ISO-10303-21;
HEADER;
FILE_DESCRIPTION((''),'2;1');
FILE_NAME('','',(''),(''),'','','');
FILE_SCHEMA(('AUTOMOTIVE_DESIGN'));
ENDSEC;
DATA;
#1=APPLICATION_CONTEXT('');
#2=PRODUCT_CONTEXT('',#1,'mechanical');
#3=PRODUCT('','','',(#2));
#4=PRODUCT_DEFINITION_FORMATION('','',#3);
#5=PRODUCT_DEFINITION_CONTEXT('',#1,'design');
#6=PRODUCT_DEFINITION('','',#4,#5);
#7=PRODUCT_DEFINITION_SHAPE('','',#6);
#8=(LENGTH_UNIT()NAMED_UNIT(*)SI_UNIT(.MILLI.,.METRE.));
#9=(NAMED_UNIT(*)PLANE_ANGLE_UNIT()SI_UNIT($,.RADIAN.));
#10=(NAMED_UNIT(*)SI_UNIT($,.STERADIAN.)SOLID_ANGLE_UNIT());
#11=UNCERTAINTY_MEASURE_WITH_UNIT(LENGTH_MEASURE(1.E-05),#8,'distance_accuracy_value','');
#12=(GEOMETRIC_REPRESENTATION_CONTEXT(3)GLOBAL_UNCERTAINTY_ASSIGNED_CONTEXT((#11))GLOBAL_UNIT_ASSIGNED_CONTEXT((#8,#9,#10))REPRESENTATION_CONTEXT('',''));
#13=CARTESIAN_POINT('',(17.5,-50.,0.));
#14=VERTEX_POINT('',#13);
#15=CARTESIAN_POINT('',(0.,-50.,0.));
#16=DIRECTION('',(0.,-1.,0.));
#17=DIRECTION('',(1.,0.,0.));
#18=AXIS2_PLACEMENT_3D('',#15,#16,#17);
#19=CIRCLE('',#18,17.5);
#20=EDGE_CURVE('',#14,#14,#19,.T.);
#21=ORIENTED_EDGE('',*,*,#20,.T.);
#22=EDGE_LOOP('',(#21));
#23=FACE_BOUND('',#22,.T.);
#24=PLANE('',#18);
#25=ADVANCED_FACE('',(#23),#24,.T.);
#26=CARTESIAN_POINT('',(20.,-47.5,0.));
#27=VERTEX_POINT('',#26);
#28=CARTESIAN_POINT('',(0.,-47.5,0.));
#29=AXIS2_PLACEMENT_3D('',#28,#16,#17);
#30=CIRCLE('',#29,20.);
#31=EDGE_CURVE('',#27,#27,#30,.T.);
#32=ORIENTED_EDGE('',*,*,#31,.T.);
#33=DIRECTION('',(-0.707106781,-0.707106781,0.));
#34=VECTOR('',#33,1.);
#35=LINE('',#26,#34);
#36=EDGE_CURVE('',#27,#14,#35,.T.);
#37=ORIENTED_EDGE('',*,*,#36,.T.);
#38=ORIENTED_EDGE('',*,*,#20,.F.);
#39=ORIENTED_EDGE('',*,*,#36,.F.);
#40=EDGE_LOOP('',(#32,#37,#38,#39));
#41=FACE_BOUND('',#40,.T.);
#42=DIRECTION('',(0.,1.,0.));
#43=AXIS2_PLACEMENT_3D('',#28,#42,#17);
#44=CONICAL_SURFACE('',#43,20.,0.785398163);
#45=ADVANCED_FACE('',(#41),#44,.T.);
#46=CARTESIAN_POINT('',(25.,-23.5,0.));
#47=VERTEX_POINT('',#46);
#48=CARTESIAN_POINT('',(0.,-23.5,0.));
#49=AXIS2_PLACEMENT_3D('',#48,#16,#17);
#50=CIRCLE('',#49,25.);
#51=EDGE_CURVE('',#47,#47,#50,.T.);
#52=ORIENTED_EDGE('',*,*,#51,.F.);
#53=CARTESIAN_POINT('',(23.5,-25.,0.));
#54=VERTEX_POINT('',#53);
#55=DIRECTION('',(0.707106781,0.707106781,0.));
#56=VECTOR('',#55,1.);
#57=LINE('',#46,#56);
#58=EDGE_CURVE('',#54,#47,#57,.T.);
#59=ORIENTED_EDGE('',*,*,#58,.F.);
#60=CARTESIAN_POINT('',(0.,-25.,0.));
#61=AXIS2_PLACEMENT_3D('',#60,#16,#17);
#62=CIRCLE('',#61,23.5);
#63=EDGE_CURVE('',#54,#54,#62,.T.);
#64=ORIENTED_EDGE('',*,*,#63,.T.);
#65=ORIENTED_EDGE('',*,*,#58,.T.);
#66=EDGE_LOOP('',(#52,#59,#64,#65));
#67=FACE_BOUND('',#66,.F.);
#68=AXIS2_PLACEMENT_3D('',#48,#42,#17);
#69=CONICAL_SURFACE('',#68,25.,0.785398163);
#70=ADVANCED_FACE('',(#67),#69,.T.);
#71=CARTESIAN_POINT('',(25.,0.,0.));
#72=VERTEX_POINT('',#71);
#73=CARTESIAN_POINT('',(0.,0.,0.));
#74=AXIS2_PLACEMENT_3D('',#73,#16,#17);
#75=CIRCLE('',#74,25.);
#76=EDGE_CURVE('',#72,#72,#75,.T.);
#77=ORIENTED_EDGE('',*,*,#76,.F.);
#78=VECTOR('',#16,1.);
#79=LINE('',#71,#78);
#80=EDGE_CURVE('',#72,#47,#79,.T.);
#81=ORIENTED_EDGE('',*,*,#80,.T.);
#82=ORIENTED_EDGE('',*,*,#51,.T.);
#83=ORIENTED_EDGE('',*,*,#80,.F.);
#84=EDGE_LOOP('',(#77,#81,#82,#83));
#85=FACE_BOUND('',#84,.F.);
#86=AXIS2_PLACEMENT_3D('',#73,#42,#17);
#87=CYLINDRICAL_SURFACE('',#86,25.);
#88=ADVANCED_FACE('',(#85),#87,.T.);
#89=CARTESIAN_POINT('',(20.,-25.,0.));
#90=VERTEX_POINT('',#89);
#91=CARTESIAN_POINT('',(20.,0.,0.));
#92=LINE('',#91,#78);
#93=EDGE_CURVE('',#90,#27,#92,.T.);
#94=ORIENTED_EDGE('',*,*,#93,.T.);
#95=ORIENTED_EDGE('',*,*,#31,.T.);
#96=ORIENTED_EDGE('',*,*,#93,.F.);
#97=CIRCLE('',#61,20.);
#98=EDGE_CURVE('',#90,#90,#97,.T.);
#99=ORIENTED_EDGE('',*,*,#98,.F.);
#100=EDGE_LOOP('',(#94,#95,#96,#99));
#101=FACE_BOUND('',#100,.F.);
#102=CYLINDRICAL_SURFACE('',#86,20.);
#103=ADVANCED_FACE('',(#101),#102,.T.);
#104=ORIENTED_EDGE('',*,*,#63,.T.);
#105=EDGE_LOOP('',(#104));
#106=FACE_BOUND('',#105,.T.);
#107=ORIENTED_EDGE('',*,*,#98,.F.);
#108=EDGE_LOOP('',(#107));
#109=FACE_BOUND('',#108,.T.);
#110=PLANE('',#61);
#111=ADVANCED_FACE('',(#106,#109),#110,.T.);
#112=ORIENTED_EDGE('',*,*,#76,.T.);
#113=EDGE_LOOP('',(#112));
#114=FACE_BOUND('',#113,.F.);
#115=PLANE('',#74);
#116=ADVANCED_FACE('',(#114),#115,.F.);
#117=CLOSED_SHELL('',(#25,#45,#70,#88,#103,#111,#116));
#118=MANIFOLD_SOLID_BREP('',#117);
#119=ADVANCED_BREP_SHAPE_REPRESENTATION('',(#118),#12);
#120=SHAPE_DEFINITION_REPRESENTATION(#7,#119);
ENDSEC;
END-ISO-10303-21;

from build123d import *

# Parameters (mm, degrees)
F0_R     = 20
F1_DEPTH = 50
F0_R_2   = 25
F2_DEPTH = 25
F3_SIZE  = 2.5
F4_SIZE  = 1.5


with BuildPart() as f1:
    # F0 (on Front) → F1 (new body)
    with BuildSketch(Plane.XZ):
        Circle(F0_R)
    extrude(amount=F1_DEPTH)

    # F0 (on Front) → F2 (join)
    with BuildSketch(Plane.XZ):
        Circle(F0_R_2)
        Circle(F0_R, mode=Mode.SUBTRACT)
    extrude(amount=F2_DEPTH)

    # F3
    f3_edges = [f1.edges().sort_by_distance(p)[0] for p in [
        (-20, -50, 0),
    ]]
    chamfer(f3_edges, length=F3_SIZE)

    # F4
    f4_edges = [f1.edges().sort_by_distance(p)[0] for p in [
        (-25, -25, 0),
    ]]
    chamfer(f4_edges, length=F4_SIZE)


solid = f1.part
